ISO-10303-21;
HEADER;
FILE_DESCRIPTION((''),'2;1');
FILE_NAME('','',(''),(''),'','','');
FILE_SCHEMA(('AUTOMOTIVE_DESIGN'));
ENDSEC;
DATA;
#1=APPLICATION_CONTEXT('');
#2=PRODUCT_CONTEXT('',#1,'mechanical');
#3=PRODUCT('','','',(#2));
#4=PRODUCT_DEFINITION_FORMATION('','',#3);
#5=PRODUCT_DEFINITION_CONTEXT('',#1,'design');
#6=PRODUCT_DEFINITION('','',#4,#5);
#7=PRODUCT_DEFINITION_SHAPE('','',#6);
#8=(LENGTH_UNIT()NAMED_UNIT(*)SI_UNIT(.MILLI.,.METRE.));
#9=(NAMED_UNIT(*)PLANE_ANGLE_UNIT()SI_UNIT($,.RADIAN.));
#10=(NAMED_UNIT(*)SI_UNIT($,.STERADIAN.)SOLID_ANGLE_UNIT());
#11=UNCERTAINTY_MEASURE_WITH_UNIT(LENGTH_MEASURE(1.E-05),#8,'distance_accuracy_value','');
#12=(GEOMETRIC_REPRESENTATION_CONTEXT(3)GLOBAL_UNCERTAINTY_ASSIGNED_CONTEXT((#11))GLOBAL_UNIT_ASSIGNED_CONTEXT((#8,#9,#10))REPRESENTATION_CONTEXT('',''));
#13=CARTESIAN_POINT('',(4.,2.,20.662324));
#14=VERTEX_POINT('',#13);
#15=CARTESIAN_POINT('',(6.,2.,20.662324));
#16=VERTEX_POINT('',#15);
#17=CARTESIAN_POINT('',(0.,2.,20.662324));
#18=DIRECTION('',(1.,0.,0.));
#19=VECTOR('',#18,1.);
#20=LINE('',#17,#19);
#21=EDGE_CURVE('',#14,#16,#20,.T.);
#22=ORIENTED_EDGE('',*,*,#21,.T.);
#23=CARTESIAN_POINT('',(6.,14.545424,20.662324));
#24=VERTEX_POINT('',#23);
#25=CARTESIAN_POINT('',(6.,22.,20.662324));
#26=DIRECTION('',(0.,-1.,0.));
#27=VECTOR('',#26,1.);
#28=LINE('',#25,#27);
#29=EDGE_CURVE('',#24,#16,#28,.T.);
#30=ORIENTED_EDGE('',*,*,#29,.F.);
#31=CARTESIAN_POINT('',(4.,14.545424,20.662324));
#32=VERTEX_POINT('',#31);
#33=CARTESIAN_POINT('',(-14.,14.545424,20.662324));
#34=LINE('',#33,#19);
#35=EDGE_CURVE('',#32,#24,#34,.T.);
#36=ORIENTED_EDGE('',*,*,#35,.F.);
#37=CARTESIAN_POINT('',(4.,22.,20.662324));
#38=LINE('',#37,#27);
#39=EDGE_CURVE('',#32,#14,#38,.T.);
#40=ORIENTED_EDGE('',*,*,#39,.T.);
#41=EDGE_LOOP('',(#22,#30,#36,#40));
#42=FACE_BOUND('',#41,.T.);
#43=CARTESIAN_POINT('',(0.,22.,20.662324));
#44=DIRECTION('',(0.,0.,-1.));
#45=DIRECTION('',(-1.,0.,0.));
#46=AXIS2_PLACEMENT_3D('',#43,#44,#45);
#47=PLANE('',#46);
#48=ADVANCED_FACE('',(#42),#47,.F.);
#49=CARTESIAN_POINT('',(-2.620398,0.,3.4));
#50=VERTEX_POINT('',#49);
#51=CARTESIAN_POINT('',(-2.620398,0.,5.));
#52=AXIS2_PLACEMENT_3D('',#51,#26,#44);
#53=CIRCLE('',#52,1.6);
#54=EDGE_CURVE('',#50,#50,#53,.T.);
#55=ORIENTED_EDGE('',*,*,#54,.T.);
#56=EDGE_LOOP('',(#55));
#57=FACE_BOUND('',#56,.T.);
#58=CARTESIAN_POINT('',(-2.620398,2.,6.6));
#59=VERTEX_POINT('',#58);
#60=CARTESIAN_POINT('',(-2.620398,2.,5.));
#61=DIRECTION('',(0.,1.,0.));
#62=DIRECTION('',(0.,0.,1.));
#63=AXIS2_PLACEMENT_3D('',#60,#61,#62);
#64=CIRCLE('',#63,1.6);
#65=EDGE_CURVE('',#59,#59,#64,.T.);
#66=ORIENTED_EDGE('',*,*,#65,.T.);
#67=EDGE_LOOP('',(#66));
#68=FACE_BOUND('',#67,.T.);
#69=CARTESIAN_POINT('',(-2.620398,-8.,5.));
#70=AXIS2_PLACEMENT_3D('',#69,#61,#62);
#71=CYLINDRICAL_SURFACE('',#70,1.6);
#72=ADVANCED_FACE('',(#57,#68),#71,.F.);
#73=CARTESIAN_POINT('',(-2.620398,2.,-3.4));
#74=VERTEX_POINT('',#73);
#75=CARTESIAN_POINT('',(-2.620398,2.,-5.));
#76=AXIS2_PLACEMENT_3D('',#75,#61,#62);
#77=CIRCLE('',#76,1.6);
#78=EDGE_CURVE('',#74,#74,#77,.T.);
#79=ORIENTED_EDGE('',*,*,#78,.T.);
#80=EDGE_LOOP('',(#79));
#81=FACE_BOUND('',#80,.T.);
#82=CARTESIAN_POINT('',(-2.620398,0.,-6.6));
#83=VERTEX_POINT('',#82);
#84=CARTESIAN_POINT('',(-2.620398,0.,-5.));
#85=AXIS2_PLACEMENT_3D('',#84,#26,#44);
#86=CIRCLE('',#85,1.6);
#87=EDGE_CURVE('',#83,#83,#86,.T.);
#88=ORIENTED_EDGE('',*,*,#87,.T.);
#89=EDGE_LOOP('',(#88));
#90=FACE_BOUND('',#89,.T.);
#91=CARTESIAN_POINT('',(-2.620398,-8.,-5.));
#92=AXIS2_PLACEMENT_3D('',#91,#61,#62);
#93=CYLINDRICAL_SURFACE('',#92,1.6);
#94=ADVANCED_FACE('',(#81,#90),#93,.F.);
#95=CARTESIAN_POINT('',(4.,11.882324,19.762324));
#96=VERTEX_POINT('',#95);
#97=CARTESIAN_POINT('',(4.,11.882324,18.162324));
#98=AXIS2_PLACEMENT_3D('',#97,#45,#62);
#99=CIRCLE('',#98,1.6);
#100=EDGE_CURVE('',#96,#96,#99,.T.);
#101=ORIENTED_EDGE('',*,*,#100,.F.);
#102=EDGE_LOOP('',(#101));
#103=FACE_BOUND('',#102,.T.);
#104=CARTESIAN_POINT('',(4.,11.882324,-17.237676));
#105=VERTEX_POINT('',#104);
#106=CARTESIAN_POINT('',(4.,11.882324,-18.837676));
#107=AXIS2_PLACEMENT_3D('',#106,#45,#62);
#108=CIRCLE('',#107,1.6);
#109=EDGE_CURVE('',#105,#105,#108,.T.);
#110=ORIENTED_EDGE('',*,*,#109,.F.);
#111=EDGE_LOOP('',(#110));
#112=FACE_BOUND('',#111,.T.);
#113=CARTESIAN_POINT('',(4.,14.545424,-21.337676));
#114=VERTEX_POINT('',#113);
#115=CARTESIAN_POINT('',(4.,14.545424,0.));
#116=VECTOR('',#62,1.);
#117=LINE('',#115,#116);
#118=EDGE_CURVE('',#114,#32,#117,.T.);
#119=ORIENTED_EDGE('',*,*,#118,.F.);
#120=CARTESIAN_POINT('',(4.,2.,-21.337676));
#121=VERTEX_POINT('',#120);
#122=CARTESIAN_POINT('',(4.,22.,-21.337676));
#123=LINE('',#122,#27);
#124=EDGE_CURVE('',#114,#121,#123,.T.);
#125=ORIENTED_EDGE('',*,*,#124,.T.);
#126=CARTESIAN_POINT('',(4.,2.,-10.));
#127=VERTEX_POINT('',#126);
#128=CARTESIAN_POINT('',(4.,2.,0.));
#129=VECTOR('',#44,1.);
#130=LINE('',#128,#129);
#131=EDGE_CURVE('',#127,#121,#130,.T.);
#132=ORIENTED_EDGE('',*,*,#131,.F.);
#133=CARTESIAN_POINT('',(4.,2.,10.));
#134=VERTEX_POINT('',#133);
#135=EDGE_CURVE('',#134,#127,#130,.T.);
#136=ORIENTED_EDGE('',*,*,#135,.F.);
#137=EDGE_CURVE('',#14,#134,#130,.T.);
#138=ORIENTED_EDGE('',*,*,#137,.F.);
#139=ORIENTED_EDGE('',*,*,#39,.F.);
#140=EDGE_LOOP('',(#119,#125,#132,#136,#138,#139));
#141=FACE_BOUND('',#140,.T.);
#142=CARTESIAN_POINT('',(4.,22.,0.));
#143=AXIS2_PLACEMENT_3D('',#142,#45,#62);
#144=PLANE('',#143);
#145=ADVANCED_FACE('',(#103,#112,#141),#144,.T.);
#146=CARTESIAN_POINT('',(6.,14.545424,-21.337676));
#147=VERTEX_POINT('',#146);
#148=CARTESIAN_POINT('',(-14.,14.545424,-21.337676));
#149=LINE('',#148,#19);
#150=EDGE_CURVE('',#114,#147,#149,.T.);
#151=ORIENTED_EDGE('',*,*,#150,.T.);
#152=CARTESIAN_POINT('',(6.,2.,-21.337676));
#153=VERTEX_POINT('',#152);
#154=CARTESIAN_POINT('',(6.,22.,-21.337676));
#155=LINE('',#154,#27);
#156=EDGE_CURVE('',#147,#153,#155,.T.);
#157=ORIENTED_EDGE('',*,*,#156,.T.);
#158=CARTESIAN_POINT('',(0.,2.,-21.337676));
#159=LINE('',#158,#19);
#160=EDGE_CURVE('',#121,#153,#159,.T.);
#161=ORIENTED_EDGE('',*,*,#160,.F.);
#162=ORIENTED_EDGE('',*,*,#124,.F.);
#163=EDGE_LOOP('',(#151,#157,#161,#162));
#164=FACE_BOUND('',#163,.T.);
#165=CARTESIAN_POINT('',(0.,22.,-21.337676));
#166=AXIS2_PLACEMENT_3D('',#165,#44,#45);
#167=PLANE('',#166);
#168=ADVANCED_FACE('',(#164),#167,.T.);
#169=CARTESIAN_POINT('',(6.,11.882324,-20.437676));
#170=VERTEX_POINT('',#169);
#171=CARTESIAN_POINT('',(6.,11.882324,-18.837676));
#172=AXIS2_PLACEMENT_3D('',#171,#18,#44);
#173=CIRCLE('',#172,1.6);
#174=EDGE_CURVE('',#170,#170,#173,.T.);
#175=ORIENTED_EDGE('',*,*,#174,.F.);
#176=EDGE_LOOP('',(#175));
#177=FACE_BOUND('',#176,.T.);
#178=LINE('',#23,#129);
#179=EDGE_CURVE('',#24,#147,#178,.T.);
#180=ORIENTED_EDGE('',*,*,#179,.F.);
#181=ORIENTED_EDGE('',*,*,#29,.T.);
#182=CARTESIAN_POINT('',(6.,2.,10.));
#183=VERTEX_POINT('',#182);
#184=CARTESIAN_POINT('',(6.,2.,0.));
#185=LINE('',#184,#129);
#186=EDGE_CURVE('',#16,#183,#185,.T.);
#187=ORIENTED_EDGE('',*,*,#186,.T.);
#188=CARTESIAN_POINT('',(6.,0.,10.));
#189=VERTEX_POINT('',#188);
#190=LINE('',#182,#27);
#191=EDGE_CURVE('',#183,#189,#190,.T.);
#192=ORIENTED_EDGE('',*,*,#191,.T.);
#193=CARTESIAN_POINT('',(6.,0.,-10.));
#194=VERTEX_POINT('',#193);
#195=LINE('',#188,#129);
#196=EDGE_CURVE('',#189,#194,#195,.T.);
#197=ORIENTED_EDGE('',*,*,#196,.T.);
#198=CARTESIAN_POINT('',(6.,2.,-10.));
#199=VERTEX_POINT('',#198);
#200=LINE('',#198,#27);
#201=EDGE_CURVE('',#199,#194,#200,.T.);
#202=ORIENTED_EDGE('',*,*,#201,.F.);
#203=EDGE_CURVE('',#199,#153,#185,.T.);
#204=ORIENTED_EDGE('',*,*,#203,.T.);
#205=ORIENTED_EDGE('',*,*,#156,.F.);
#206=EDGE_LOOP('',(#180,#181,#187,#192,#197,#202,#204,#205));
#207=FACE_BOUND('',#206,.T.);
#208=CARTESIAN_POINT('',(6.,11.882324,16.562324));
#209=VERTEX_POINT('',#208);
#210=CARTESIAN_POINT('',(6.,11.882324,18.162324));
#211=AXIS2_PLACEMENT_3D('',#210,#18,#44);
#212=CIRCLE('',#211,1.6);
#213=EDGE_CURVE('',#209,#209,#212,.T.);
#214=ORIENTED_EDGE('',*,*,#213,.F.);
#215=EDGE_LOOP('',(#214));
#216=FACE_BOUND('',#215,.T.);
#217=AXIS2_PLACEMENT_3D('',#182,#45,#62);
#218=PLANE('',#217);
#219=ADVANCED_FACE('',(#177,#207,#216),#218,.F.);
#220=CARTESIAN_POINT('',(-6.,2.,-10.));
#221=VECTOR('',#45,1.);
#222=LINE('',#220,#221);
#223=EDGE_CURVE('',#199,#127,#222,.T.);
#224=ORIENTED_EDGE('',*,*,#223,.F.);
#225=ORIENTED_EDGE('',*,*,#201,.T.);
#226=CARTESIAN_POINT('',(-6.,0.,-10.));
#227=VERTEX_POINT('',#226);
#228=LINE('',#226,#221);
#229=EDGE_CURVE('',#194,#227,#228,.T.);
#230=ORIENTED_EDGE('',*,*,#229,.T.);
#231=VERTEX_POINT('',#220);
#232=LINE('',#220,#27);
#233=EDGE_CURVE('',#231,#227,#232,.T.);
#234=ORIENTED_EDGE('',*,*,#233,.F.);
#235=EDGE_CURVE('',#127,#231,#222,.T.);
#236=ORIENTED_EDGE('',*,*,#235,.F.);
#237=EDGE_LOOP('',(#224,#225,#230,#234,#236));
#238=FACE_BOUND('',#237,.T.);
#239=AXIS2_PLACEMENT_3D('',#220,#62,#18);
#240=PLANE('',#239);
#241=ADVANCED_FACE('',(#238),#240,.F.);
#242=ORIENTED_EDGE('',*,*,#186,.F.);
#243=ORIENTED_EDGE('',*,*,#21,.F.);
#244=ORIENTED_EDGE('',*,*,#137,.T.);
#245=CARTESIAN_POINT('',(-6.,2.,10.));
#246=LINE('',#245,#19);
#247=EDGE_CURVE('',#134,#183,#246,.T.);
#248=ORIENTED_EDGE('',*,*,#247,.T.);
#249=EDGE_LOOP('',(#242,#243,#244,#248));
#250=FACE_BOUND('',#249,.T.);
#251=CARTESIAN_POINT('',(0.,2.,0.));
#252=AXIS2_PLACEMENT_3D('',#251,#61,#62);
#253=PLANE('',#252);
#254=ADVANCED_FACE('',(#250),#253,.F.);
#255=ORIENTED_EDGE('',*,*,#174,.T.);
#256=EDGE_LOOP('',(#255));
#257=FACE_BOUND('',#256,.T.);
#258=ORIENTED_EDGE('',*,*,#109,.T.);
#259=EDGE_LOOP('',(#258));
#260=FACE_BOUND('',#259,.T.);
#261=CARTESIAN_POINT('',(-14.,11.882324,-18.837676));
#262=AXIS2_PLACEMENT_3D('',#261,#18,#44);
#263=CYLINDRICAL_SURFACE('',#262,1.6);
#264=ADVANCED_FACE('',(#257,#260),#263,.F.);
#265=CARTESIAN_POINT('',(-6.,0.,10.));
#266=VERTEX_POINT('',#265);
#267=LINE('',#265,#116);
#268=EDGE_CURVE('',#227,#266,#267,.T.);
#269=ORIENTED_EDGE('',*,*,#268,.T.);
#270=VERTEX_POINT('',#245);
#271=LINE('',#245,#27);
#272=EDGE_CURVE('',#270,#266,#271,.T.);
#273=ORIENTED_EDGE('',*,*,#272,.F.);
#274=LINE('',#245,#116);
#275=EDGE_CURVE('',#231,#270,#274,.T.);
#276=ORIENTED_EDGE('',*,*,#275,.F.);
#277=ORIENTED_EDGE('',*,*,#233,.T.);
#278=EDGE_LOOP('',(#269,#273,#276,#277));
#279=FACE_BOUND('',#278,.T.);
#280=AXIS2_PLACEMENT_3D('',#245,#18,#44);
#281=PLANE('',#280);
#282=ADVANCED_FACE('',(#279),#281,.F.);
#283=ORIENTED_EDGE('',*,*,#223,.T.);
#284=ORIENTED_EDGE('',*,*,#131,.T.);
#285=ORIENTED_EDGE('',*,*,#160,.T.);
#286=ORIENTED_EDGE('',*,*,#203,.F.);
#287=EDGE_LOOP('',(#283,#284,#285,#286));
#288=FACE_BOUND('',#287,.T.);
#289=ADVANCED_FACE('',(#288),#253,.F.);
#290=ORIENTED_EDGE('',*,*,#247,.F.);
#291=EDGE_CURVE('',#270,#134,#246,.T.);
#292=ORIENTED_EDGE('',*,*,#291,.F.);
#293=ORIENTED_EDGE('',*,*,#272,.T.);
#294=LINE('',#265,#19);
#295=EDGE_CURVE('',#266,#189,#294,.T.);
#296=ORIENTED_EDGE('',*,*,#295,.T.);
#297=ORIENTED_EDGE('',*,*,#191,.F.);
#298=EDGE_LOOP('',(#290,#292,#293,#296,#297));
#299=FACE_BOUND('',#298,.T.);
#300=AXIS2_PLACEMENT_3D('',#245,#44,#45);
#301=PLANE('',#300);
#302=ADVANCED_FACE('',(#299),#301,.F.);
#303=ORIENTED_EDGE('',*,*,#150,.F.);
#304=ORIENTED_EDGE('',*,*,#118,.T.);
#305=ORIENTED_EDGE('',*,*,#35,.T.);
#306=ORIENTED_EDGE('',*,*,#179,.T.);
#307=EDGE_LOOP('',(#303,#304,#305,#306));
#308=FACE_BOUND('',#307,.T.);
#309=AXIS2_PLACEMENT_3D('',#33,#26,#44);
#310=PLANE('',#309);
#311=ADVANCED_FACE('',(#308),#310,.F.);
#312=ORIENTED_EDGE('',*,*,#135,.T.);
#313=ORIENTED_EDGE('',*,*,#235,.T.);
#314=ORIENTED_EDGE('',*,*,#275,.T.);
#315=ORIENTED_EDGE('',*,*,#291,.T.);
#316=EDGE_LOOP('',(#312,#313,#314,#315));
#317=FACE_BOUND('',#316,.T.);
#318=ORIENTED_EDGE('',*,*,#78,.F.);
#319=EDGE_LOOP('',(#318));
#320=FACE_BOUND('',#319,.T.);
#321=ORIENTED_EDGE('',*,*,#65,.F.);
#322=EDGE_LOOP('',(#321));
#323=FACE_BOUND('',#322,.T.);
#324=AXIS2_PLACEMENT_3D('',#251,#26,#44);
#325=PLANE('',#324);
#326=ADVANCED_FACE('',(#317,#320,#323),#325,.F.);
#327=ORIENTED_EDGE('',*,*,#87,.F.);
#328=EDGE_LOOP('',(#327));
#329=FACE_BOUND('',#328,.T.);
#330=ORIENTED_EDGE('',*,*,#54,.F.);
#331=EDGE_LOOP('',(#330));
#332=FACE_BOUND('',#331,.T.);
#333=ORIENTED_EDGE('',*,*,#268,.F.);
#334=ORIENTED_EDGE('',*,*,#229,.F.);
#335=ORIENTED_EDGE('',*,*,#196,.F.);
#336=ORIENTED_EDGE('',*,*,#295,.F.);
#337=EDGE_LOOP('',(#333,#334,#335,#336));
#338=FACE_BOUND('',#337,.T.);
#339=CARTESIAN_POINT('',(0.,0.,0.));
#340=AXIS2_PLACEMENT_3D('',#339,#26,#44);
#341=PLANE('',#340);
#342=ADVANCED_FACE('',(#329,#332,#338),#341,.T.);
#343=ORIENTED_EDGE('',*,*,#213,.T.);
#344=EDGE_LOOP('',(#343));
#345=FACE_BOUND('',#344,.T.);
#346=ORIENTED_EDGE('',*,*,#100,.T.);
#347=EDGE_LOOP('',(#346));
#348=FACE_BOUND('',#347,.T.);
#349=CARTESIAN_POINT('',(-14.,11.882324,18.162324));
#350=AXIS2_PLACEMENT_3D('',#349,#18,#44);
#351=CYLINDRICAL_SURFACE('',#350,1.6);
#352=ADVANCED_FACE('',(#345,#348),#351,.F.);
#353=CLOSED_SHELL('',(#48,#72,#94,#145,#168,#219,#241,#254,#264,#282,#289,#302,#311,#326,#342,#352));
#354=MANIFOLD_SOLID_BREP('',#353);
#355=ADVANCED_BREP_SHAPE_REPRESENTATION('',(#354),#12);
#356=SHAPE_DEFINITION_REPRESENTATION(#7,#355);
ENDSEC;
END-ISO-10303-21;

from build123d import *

# Parameters (mm, degrees)
SKETCH_1_W          = 12
SKETCH_1_H          = 20
EXTRUDE_1_DEPTH     = 2
SKETCH_2_W          = 2
SKETCH_2_H          = 11.337676179
SKETCH_2_H_2        = 20
SKETCH_2_H_3        = 10.662323821
EXTRUDE_3_DEPTH     = 20
SKETCH_5_R          = 1.6
SKETCH_5_W          = 42
SKETCH_5_H          = 7.454575948
CUT_EXTRUDE_1_DEPTH = 20
SKETCH_6_R          = 1.6
CUT_EXTRUDE_2_DEPTH = 10


with BuildPart() as part:
    # 草图1 → 凸台-拉伸1 (new body)
    with BuildSketch(Plane(origin=(0, 0, 0), x_dir=(1, 0, 0), z_dir=(0, 1, 0))):
        Rectangle(SKETCH_1_W, SKETCH_1_H)
    extrude(amount=EXTRUDE_1_DEPTH)

    # 草图2 → 凸台-拉伸3 (add)
    with BuildSketch(Plane(origin=(0, 2, 0), x_dir=(1, 0, 0), z_dir=(0, 1, 0))):
        with Locations((5, 15.66883809)):
            Rectangle(SKETCH_2_W, SKETCH_2_H)
        with Locations((5, 0)):
            Rectangle(SKETCH_2_W, SKETCH_2_H_2)
        with Locations((5, -15.331161911)):
            Rectangle(SKETCH_2_W, SKETCH_2_H_3)
    extrude(amount=EXTRUDE_3_DEPTH)

    # 草图5 → 切除-拉伸1 (cut)
    with BuildSketch(Plane(origin=(6, 0, 0), x_dir=(0, 0, -1), z_dir=(1, 0, 0))):
        with Locations((-18.162323821, 11.882323557)):
            Circle(SKETCH_5_R)
        with Locations((18.837676179, 11.882323557)):
            Circle(SKETCH_5_R)
        with Locations((0.337676179, 18.272712026)):
            Rectangle(SKETCH_5_W, SKETCH_5_H)
    extrude(amount=-CUT_EXTRUDE_1_DEPTH, mode=Mode.SUBTRACT)

    # 草图6 → 切除-拉伸2 (cut)
    with BuildSketch(Plane(origin=(0, 2, 0), x_dir=(1, 0, 0), z_dir=(0, 1, 0))):
        with Locations(Location((-2.620398145, 5, 0), (0, 0, 270))):
            Circle(SKETCH_6_R)
        with Locations(Location((-2.620398145, -5, 0), (0, 0, 270))):
            Circle(SKETCH_6_R)
    extrude(amount=-CUT_EXTRUDE_2_DEPTH, mode=Mode.SUBTRACT)


solid = part.part
